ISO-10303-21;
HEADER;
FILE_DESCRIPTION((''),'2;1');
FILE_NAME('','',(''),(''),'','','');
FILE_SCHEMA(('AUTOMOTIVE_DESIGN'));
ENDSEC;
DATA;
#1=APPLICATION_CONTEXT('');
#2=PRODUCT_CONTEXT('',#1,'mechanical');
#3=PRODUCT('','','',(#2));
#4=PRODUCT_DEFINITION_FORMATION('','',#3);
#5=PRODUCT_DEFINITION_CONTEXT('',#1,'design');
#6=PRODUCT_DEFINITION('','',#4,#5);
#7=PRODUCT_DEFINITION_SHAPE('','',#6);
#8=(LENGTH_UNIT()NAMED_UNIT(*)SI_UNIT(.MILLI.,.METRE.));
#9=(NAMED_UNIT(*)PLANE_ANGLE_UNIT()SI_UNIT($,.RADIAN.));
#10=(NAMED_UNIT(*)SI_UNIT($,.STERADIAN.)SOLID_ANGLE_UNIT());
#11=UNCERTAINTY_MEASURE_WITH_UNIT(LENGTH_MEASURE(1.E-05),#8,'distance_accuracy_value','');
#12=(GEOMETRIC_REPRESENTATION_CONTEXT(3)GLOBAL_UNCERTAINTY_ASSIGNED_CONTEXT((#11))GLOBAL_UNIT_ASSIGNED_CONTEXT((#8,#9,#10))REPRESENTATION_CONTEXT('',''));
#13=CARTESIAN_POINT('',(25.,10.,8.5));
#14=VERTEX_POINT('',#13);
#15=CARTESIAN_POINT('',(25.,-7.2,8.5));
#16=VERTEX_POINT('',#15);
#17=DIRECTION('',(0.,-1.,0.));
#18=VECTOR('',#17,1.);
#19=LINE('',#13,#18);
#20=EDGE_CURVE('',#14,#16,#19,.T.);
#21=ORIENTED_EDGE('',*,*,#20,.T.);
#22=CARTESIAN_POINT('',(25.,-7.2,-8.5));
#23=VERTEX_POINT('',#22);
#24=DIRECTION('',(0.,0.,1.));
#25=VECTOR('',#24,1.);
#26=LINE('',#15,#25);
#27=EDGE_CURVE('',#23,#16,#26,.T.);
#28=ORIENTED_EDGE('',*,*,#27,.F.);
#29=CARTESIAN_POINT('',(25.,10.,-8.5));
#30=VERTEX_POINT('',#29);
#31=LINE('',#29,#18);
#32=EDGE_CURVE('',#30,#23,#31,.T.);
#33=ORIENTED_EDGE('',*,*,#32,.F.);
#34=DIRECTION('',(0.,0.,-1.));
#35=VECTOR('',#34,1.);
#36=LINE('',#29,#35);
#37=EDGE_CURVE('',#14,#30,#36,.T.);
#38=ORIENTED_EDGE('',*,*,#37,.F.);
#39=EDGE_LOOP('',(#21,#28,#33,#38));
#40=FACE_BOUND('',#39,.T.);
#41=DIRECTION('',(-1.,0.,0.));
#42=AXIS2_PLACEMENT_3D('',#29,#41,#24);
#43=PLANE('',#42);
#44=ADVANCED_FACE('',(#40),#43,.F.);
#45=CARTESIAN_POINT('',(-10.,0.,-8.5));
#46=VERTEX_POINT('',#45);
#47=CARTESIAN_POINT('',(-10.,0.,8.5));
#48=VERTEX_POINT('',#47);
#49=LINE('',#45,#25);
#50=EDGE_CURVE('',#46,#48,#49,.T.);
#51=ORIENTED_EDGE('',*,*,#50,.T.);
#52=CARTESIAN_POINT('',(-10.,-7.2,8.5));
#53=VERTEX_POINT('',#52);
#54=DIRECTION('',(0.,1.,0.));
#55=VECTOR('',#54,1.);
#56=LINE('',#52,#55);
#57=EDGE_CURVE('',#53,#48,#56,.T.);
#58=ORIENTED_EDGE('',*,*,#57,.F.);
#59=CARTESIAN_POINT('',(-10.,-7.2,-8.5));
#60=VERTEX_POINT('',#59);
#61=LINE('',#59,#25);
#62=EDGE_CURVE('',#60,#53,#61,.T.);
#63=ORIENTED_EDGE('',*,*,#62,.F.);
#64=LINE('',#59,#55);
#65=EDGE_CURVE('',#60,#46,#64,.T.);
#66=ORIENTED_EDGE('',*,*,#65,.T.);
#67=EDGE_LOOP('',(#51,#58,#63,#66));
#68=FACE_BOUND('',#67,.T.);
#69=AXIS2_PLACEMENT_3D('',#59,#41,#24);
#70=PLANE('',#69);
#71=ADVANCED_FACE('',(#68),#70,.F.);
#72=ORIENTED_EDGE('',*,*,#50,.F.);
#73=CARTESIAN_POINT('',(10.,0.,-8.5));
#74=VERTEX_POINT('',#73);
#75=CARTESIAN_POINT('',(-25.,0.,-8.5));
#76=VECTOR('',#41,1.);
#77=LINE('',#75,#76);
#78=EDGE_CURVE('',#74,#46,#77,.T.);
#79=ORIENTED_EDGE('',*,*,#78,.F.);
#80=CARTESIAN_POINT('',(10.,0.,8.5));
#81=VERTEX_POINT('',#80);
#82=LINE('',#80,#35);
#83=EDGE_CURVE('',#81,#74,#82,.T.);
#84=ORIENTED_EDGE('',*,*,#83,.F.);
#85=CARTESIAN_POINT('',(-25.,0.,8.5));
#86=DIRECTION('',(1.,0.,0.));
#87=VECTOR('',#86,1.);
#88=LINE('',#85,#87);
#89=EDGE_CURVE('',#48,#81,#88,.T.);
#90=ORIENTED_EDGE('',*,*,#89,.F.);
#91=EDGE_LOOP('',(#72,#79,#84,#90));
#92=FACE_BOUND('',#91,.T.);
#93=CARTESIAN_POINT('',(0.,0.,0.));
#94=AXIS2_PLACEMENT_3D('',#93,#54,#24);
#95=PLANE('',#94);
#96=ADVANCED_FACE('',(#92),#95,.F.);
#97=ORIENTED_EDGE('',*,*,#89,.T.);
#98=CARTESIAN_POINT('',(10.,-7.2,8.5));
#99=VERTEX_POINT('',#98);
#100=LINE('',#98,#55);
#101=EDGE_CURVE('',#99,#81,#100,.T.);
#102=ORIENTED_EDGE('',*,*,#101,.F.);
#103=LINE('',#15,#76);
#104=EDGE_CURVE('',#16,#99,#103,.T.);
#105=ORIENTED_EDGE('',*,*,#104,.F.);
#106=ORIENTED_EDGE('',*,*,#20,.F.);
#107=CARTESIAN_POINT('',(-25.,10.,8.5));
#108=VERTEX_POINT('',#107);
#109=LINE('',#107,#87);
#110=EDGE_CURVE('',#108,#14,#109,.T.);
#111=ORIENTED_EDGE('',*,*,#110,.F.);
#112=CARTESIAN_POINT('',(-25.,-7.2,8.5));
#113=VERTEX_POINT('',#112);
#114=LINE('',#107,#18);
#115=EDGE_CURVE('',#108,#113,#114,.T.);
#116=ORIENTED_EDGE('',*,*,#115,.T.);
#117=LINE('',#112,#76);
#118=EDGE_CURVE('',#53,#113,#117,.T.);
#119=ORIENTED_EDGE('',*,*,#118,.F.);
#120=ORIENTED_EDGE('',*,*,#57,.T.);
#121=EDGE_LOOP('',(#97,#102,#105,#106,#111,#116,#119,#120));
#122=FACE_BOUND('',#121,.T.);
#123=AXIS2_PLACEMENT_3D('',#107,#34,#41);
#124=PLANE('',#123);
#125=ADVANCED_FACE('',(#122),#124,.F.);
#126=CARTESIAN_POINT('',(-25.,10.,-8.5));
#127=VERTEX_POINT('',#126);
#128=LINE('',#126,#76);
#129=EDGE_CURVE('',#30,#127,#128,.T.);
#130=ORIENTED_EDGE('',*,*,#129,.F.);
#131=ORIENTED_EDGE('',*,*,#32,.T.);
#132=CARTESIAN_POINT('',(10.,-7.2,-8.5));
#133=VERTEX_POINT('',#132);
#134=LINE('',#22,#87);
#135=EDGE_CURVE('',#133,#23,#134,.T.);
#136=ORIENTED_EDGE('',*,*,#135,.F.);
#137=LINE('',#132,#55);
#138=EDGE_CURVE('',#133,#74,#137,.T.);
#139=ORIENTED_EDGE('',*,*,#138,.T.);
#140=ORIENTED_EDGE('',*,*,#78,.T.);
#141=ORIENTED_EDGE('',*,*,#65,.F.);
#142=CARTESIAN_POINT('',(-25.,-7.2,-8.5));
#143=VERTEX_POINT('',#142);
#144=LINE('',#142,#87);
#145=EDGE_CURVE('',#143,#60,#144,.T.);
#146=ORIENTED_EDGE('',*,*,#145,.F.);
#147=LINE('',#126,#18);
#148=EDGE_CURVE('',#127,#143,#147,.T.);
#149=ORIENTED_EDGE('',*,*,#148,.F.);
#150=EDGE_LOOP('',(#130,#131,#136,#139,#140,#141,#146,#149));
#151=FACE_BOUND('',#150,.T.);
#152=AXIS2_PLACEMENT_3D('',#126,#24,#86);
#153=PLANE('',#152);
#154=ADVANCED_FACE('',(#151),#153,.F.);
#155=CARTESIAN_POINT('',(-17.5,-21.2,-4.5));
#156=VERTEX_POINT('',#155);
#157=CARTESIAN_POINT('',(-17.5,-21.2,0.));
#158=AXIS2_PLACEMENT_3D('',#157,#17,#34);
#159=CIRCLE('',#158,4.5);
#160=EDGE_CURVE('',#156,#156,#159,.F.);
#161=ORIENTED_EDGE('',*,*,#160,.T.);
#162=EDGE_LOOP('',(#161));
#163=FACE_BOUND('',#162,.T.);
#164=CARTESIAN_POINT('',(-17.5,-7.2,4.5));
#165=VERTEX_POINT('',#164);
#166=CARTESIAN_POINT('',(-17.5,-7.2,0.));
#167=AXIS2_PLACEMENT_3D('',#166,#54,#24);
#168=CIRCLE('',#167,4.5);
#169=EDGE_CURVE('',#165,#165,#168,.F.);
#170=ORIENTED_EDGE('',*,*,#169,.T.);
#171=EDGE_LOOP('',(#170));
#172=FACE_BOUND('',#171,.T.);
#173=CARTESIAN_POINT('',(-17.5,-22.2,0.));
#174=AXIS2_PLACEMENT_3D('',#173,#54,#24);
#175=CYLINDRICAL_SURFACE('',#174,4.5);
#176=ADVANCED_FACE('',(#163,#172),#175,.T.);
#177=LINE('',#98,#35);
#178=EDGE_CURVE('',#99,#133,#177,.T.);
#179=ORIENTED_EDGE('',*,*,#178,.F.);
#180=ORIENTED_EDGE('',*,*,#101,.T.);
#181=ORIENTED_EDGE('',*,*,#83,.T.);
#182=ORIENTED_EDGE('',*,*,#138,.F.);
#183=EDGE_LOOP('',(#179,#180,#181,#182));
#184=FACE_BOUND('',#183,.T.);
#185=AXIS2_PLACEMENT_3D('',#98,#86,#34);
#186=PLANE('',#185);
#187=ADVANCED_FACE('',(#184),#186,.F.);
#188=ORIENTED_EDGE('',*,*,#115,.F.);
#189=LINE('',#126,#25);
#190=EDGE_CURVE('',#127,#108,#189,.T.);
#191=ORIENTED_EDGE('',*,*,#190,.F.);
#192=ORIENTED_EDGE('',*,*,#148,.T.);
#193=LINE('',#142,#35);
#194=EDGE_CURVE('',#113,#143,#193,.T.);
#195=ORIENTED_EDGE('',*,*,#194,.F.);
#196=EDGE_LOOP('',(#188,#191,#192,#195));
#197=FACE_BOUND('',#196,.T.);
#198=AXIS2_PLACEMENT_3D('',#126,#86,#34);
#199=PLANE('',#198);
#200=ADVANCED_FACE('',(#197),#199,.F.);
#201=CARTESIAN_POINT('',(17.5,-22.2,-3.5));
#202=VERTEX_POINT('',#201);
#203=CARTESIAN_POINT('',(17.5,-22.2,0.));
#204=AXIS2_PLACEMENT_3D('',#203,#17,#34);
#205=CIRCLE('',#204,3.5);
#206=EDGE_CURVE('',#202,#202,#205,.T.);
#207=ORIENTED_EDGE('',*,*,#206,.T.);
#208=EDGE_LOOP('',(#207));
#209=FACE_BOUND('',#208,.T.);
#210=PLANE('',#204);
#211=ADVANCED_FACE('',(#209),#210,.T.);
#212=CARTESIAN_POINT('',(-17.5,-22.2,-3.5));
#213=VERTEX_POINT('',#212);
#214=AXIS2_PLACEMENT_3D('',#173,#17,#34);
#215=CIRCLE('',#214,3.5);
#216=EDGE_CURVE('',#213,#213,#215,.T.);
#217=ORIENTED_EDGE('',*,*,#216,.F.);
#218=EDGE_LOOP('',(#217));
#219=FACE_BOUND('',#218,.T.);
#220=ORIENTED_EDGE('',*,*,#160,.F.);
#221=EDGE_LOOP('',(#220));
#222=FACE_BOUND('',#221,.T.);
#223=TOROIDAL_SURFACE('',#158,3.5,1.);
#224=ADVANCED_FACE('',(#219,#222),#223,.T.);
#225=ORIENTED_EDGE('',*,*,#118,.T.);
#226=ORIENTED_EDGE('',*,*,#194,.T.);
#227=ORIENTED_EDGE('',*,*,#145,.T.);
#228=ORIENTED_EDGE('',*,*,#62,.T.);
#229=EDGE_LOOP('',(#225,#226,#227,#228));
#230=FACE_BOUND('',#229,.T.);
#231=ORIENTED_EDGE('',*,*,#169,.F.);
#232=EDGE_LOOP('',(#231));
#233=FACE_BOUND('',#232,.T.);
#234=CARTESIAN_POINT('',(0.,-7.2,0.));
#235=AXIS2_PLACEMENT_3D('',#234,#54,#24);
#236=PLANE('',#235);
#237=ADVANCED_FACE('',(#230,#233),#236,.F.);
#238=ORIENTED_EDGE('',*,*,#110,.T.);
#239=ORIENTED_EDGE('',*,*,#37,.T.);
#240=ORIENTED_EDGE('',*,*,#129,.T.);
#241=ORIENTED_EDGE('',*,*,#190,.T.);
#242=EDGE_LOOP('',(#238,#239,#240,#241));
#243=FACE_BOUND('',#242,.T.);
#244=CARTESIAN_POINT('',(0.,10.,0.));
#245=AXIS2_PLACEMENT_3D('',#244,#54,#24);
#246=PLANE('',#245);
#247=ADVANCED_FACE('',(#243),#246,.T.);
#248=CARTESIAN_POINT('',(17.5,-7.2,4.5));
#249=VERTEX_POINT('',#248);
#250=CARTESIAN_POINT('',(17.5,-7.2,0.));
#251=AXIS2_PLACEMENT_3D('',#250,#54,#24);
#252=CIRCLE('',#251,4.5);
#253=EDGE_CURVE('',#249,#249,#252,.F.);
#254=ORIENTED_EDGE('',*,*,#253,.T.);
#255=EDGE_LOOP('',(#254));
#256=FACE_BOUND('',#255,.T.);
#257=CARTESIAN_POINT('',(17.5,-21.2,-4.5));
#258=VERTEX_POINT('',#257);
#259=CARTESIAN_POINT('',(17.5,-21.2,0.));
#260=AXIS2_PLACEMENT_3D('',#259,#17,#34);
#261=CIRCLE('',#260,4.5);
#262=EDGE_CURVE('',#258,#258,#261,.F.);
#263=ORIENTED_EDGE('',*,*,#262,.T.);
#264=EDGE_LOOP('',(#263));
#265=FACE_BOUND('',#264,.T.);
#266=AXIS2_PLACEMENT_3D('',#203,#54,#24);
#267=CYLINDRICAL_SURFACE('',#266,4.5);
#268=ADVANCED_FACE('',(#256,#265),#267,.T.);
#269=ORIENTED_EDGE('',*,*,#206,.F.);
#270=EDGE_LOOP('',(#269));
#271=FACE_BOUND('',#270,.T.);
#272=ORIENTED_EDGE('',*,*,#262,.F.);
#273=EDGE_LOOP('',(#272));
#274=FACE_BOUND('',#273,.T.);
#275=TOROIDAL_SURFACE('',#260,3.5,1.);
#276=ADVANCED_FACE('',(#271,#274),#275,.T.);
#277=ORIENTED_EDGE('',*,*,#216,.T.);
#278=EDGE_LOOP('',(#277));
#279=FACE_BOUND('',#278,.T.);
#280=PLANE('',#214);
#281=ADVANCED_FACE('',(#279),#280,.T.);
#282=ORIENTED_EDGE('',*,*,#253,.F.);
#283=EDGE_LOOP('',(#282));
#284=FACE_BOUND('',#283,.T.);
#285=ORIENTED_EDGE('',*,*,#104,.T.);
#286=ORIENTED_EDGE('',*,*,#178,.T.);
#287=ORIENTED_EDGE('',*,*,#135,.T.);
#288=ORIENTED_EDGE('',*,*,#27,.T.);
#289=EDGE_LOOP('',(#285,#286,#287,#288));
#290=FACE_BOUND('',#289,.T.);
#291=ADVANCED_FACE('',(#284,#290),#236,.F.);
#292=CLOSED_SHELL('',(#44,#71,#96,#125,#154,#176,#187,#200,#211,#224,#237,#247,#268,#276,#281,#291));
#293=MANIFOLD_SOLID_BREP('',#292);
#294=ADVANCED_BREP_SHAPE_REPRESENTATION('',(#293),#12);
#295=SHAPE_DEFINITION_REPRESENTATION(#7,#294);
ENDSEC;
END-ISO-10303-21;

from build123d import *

# Parameters (mm, degrees)
SKETCH1_W           = 50
SKETCH1_H           = 17
BOSS_EXTRUDE1_DEPTH = 10
SKETCH2_W           = 15
SKETCH2_H           = 17
BOSS_EXTRUDE2_DEPTH = 7.2
SKETCH3_R           = 4.5
BOSS_EXTRUDE3_DEPTH = 15
FILLET1_R           = 1


with BuildPart() as part:
    # Sketch1 → Boss-Extrude1 (new body)
    with BuildSketch(Plane(origin=(0, 0, 0), x_dir=(1, 0, 0), z_dir=(0, 1, 0))):
        Rectangle(SKETCH1_W, SKETCH1_H)
    extrude(amount=BOSS_EXTRUDE1_DEPTH)

    # Sketch2 → Boss-Extrude2 (add)
    with BuildSketch(Plane.XZ):
        with Locations((-17.5, 0)):
            Rectangle(SKETCH2_W, SKETCH2_H)
        with Locations((17.5, 0)):
            Rectangle(SKETCH2_W, SKETCH2_H)
    extrude(amount=BOSS_EXTRUDE2_DEPTH)

    # Sketch3 → Boss-Extrude3 (add)
    with BuildSketch(Plane.XZ.offset(7.2)):
        with Locations(Location((-17.5, 0, 0), (0, 0, 90))):
            Circle(SKETCH3_R)
        with Locations(Location((17.5, 0, 0), (0, 0, 90))):
            Circle(SKETCH3_R)
    extrude(amount=BOSS_EXTRUDE3_DEPTH)

    # Fillet1
    fillet1_edges = [part.edges().sort_by_distance(p)[0] for p in [
        (-17.5, -22.2, -4.5),
        (17.5, -22.2, -4.5),
    ]]
    fillet(fillet1_edges, radius=FILLET1_R)


solid = part.part
